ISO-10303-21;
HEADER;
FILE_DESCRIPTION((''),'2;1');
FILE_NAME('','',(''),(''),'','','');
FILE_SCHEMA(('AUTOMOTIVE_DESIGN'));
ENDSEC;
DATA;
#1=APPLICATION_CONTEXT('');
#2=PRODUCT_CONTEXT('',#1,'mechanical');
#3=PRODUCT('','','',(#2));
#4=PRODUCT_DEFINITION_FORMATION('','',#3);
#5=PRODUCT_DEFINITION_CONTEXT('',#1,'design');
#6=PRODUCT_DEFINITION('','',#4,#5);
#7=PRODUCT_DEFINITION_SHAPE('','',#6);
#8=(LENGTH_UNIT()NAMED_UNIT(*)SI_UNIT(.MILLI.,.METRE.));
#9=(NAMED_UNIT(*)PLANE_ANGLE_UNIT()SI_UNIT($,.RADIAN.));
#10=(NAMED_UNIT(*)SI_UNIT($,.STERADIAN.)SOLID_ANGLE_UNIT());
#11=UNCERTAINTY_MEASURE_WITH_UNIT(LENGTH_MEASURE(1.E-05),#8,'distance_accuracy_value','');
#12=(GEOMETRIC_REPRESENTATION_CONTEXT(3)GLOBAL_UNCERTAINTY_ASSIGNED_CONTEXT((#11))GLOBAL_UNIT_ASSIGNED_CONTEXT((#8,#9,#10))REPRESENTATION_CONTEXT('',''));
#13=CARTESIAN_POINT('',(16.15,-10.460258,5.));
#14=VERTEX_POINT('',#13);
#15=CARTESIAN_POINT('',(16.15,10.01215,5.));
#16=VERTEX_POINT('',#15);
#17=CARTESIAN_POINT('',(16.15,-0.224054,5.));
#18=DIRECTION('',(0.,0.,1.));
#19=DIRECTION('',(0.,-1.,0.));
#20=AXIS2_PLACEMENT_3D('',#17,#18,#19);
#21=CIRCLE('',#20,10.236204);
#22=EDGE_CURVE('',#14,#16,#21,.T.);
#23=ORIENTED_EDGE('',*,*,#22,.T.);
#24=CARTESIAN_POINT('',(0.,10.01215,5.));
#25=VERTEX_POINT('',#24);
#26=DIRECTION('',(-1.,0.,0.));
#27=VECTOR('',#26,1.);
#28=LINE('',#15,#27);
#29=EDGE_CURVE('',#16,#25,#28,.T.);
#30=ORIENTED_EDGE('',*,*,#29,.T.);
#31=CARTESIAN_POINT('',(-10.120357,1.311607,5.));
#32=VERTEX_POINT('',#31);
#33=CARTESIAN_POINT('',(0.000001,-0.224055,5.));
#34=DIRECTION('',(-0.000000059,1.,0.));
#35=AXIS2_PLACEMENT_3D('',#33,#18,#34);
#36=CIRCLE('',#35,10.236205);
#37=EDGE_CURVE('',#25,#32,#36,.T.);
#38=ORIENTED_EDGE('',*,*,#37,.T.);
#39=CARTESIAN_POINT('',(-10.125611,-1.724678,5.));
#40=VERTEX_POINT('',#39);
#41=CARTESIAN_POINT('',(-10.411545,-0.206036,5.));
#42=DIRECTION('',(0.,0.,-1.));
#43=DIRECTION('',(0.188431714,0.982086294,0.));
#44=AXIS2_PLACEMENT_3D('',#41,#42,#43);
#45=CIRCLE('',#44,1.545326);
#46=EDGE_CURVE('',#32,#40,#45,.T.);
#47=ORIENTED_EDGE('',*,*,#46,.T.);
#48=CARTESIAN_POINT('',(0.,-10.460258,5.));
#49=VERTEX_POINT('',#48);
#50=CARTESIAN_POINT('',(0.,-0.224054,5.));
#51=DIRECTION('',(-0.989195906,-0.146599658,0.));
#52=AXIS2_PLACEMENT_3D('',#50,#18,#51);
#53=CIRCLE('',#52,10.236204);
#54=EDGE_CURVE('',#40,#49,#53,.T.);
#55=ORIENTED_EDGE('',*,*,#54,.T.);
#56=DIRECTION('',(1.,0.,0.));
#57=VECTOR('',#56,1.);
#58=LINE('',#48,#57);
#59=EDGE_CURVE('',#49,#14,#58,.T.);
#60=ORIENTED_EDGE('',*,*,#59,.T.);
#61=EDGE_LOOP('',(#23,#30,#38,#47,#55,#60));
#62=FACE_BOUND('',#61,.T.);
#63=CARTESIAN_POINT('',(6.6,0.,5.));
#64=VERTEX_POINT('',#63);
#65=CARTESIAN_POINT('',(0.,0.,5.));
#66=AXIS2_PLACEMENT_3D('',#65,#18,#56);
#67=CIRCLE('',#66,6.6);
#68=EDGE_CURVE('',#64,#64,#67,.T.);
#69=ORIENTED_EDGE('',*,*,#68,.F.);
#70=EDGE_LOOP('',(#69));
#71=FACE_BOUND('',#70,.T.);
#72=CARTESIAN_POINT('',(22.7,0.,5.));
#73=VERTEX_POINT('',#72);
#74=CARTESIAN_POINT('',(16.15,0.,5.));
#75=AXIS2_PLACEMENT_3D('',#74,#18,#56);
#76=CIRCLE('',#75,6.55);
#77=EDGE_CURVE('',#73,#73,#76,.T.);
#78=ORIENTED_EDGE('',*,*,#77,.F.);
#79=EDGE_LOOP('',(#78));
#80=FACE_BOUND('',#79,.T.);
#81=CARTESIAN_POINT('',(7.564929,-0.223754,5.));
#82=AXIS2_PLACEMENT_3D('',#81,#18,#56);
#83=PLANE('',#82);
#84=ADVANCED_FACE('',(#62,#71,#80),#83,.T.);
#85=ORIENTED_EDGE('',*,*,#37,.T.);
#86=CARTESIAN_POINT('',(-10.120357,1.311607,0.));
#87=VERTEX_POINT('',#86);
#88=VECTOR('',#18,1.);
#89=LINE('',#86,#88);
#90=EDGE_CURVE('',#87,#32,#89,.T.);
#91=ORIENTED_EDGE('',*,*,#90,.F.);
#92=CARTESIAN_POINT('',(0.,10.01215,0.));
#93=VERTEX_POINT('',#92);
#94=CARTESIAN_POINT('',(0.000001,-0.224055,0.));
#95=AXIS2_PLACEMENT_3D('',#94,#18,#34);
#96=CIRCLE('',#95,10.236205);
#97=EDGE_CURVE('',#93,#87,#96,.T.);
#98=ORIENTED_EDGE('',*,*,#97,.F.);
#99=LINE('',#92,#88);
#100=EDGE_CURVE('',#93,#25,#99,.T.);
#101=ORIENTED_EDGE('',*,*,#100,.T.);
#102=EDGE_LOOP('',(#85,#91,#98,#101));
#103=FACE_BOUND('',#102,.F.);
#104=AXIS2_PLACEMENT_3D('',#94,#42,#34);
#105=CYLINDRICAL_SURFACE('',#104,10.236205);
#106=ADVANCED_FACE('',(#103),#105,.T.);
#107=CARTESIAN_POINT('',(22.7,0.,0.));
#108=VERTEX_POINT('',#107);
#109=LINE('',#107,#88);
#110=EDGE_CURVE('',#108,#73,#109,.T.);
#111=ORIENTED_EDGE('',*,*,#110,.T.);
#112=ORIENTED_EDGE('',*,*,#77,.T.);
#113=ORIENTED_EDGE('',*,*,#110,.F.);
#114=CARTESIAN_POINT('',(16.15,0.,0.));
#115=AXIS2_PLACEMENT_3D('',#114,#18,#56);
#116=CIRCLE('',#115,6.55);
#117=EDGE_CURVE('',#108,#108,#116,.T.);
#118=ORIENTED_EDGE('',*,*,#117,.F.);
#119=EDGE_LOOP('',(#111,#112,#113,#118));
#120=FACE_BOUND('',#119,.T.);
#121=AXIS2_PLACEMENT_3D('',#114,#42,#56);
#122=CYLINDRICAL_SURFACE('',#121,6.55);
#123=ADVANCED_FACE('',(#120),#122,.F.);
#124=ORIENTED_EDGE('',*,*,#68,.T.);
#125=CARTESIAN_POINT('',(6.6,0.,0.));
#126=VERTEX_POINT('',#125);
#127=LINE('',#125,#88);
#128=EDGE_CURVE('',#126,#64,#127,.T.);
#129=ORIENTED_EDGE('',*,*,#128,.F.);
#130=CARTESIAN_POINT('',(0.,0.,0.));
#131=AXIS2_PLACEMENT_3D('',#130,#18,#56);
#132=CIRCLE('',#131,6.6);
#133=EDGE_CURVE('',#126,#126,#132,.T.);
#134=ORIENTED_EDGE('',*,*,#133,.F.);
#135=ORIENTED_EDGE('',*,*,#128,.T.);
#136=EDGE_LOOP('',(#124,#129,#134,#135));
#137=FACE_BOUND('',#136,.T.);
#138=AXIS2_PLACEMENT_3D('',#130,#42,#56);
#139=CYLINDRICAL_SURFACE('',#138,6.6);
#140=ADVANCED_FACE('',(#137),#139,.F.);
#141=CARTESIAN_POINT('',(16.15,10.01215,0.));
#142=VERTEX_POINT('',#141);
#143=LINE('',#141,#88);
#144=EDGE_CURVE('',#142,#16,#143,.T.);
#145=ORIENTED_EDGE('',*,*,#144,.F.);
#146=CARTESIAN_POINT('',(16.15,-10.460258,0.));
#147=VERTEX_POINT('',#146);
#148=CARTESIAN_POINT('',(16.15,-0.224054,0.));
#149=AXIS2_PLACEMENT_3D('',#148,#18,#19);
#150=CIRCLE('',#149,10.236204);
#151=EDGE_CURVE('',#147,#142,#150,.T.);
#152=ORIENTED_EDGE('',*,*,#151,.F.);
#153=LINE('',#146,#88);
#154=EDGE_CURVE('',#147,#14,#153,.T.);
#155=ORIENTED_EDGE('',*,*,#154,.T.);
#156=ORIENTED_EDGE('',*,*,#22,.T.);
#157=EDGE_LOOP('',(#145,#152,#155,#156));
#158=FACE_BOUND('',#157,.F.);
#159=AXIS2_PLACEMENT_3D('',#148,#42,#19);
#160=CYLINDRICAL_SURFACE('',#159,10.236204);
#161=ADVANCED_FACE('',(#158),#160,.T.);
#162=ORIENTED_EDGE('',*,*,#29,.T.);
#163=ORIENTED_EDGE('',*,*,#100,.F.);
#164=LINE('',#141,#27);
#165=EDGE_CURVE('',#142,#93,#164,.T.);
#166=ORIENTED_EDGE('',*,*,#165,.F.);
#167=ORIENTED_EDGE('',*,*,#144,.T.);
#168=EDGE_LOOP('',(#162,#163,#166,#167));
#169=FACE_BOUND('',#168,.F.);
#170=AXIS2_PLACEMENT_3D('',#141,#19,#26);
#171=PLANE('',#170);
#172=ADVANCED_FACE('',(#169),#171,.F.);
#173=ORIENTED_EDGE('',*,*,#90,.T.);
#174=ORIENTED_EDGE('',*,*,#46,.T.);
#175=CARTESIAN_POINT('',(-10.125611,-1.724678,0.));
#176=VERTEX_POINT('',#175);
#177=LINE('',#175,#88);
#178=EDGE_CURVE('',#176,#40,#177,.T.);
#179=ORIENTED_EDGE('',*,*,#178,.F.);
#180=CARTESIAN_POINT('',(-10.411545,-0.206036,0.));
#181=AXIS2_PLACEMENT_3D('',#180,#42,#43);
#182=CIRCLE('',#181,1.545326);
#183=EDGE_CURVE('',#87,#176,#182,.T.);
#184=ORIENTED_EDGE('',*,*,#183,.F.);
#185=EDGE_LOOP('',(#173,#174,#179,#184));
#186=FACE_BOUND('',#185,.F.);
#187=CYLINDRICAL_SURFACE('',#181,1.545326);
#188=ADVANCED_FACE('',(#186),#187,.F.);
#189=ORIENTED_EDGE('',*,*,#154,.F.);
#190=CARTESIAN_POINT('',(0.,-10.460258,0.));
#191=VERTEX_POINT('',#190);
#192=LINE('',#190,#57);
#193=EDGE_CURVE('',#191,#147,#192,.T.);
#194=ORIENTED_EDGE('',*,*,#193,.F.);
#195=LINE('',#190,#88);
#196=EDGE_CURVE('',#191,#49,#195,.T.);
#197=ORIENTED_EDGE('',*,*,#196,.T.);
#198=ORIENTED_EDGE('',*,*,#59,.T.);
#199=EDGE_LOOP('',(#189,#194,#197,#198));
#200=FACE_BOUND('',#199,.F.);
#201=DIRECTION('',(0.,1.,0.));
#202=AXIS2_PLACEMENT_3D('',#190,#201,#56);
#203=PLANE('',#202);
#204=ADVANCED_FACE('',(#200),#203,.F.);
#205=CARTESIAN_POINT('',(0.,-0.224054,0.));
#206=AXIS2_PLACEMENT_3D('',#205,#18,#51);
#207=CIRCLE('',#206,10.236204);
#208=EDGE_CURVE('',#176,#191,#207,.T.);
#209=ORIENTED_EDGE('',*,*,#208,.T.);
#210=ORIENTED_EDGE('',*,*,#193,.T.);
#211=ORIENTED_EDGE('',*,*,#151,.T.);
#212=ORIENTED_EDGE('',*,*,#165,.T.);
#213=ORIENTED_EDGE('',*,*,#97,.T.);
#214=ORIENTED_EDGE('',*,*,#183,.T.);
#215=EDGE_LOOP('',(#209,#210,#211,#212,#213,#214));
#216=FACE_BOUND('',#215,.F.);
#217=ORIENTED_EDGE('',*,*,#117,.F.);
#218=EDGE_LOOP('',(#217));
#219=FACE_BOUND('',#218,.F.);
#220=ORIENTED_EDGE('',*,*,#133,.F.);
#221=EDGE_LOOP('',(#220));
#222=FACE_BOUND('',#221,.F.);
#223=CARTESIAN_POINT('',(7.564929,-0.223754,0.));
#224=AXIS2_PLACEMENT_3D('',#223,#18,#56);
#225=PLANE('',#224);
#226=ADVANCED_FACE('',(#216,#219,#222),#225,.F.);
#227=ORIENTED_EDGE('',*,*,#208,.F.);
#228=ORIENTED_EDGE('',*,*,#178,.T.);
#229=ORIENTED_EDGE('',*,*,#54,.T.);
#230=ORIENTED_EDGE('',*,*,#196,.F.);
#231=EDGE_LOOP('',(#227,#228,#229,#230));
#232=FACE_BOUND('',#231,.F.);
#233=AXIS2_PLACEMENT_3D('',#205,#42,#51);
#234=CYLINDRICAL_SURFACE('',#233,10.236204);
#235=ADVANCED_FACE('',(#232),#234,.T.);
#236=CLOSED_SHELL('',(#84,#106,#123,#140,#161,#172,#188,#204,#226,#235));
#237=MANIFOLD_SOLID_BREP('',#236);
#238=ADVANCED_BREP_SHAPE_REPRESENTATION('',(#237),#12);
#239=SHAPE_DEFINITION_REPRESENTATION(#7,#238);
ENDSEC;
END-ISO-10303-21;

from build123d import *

# Parameters (mm, degrees)
F0_R     = 6.6
F0_R_2   = 6.55
F1_DEPTH = 5


with BuildPart() as f1:
    # F0 (on Top) → F1 (new body)
    with BuildSketch(Plane.XY):
        with BuildLine():
            Line((16.15, 10.01215), (0, 10.01215))
            ThreePointArc((0, 10.01215), (-6.6731, 7.538008), (-10.120357, 1.311607))
            ThreePointArc((-10.120357, 1.311607), (-8.866222, -0.208711), (-10.125611, -1.724678))
            ThreePointArc((-10.125611, -1.724678), (-6.686523, -7.974556), (0, -10.460258))
            Line((0, -10.460258), (16.15, -10.460258))
            ThreePointArc((16.15, -10.460258), (26.386204, -0.224054), (16.15, 10.01215))
        make_face()
        Circle(F0_R, mode=Mode.SUBTRACT)
        with Locations((16.15, 0)):
            Circle(F0_R_2, mode=Mode.SUBTRACT)
    extrude(amount=F1_DEPTH)


solid = f1.part
